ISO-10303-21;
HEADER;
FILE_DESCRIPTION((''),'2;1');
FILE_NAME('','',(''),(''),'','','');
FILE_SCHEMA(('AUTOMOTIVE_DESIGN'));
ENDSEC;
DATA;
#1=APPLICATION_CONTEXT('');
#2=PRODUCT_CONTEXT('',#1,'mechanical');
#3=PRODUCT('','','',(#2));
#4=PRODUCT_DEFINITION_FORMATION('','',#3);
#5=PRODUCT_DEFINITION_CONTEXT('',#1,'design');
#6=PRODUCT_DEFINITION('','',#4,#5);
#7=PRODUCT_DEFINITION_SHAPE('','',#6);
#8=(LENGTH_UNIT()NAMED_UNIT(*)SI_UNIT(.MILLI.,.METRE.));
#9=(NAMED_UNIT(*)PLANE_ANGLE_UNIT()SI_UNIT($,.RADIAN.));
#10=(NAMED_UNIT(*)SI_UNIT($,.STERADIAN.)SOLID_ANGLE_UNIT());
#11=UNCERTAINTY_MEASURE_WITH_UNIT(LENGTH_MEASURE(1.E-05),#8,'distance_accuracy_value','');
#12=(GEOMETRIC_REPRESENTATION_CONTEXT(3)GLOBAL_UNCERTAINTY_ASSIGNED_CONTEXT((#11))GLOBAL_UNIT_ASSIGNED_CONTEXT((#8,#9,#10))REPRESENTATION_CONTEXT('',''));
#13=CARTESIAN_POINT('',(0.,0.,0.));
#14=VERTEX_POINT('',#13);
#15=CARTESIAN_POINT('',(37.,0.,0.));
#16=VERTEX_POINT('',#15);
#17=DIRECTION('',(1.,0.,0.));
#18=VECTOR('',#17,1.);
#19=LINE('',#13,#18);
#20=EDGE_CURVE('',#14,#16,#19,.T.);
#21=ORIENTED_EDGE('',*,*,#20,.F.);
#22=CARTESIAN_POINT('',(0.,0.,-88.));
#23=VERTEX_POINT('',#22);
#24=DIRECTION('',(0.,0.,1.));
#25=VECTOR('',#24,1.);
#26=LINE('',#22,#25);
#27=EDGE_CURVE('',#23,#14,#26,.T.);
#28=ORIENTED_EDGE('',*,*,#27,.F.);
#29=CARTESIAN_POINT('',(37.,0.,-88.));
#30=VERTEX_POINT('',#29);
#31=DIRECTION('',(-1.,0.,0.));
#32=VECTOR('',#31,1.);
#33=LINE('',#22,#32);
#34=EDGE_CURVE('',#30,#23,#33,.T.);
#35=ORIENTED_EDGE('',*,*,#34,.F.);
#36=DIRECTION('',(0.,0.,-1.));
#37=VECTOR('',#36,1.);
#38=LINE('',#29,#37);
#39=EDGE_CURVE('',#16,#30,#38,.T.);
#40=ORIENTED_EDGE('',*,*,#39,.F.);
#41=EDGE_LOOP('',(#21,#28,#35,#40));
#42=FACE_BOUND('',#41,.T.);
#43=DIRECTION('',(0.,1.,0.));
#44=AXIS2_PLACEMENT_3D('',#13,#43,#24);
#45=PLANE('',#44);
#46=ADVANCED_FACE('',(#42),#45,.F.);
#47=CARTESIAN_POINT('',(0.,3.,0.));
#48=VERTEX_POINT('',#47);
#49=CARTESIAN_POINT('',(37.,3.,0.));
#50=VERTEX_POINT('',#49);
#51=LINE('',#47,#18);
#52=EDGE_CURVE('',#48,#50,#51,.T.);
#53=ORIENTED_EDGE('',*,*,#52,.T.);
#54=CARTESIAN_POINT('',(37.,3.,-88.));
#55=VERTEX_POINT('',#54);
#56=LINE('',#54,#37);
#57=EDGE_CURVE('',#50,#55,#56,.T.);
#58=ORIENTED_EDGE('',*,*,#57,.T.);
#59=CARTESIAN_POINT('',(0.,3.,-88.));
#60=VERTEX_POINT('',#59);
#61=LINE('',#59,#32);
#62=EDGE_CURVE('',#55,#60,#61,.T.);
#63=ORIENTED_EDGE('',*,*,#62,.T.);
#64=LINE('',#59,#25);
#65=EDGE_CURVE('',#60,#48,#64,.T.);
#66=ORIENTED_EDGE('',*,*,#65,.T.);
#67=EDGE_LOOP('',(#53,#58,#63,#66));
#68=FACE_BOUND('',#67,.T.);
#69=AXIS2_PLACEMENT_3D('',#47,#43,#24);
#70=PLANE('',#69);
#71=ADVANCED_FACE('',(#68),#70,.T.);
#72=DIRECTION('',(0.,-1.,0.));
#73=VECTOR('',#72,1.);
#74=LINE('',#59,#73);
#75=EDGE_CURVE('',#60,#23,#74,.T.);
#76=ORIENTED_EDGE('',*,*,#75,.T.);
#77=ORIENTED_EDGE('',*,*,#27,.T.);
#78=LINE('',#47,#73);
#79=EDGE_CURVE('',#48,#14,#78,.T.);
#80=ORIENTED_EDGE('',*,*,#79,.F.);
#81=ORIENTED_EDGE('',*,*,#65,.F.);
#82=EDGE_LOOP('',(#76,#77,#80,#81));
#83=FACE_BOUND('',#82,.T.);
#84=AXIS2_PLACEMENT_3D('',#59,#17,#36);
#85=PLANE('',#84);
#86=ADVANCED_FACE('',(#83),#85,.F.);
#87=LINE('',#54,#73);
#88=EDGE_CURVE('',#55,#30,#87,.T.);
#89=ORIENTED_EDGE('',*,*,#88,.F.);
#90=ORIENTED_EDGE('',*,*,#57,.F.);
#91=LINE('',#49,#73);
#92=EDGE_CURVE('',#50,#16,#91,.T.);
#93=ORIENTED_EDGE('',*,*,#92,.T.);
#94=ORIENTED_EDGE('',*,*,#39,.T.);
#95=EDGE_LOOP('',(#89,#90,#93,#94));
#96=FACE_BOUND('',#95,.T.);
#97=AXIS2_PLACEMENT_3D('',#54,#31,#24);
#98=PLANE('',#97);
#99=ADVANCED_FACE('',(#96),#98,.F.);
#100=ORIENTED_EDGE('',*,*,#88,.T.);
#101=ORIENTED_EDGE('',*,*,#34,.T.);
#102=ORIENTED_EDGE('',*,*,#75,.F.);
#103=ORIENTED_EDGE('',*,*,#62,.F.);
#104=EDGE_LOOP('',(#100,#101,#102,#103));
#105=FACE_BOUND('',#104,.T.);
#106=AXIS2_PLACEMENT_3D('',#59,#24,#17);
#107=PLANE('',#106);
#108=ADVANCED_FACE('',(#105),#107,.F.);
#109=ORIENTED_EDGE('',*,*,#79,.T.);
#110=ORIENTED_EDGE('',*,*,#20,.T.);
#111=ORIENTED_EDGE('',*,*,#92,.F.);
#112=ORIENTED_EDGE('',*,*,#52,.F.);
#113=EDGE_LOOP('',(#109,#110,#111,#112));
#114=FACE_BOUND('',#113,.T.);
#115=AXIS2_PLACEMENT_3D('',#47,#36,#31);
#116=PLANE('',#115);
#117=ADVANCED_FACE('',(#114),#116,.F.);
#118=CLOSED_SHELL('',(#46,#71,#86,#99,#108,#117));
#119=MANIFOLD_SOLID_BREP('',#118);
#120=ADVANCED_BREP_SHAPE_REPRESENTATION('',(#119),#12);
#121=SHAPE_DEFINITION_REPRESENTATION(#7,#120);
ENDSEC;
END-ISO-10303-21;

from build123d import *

# Parameters (mm, degrees)
SKETCH1_W           = 37
SKETCH1_H           = 88
BOSS_EXTRUDE1_DEPTH = 3


with BuildPart() as part:
    # Sketch1 → Boss-Extrude1 (new body)
    with BuildSketch(Plane(origin=(0, 0, 0), x_dir=(1, 0, 0), z_dir=(0, 1, 0))):
        with Locations((18.5, 44)):
            Rectangle(SKETCH1_W, SKETCH1_H)
    extrude(amount=BOSS_EXTRUDE1_DEPTH)


solid = part.part
